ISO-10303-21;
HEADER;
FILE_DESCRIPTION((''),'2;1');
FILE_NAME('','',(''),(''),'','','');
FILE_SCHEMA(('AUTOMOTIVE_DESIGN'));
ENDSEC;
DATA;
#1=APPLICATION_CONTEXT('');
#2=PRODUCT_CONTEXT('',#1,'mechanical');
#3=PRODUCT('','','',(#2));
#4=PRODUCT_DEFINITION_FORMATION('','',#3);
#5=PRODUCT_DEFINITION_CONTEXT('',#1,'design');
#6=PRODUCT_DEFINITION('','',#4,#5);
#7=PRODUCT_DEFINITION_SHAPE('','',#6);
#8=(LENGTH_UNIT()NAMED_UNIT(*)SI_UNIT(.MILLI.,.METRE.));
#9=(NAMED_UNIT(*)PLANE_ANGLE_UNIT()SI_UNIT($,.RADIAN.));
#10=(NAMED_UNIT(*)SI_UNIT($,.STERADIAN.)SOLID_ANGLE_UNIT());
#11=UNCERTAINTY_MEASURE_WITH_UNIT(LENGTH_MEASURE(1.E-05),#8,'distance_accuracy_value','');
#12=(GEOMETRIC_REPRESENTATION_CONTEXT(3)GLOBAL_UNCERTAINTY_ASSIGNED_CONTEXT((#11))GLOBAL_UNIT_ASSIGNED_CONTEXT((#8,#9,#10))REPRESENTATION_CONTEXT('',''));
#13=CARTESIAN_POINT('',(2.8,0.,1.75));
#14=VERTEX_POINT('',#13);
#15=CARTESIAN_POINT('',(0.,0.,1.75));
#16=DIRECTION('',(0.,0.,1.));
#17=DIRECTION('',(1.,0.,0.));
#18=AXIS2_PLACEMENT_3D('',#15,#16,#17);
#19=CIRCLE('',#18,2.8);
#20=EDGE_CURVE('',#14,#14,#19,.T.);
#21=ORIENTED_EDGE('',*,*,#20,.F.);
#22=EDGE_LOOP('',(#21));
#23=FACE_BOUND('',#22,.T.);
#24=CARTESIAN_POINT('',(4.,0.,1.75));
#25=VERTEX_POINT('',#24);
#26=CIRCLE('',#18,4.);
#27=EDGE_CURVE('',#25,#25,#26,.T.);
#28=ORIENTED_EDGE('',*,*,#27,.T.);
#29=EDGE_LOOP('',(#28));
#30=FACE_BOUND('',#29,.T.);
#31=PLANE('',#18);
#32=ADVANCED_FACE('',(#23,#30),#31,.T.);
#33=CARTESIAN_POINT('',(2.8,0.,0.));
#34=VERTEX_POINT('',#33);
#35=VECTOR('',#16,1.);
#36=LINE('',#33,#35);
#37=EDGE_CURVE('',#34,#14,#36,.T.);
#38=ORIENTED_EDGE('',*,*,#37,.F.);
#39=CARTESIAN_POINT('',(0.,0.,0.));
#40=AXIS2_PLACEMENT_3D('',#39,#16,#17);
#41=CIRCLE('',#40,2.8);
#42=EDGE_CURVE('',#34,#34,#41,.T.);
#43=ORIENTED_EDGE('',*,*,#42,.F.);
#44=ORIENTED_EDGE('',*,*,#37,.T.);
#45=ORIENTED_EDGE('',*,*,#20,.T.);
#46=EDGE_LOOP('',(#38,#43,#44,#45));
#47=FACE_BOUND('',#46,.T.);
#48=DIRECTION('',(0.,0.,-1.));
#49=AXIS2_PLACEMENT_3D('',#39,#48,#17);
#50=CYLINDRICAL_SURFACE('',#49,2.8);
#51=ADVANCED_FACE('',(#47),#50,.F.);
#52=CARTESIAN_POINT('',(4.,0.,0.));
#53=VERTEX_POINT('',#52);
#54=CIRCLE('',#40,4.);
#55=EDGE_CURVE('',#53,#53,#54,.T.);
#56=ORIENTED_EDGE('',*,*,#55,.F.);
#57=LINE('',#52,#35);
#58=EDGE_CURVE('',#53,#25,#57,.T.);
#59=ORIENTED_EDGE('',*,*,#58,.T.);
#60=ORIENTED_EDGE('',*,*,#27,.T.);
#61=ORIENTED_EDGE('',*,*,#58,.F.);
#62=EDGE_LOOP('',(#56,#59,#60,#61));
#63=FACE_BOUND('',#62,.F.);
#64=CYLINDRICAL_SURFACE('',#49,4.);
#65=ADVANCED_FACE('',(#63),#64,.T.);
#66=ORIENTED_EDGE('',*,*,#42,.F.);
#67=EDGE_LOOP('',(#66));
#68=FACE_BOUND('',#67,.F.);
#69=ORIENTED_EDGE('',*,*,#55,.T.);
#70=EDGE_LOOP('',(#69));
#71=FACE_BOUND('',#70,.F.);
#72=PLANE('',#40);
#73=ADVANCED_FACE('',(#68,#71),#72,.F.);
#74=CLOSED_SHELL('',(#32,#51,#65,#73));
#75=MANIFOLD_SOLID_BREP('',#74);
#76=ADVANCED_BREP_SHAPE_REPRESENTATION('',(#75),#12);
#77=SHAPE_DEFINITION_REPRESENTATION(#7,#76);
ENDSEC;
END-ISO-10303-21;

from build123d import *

# Parameters (mm, degrees)
F0_R     = 4
F0_R_2   = 2.8
F1_DEPTH = 1.75


with BuildPart() as f1:
    # F0 (on Top) → F1 (new body)
    with BuildSketch(Plane.XY):
        Circle(F0_R)
        Circle(F0_R_2, mode=Mode.SUBTRACT)
    extrude(amount=F1_DEPTH)


solid = f1.part
